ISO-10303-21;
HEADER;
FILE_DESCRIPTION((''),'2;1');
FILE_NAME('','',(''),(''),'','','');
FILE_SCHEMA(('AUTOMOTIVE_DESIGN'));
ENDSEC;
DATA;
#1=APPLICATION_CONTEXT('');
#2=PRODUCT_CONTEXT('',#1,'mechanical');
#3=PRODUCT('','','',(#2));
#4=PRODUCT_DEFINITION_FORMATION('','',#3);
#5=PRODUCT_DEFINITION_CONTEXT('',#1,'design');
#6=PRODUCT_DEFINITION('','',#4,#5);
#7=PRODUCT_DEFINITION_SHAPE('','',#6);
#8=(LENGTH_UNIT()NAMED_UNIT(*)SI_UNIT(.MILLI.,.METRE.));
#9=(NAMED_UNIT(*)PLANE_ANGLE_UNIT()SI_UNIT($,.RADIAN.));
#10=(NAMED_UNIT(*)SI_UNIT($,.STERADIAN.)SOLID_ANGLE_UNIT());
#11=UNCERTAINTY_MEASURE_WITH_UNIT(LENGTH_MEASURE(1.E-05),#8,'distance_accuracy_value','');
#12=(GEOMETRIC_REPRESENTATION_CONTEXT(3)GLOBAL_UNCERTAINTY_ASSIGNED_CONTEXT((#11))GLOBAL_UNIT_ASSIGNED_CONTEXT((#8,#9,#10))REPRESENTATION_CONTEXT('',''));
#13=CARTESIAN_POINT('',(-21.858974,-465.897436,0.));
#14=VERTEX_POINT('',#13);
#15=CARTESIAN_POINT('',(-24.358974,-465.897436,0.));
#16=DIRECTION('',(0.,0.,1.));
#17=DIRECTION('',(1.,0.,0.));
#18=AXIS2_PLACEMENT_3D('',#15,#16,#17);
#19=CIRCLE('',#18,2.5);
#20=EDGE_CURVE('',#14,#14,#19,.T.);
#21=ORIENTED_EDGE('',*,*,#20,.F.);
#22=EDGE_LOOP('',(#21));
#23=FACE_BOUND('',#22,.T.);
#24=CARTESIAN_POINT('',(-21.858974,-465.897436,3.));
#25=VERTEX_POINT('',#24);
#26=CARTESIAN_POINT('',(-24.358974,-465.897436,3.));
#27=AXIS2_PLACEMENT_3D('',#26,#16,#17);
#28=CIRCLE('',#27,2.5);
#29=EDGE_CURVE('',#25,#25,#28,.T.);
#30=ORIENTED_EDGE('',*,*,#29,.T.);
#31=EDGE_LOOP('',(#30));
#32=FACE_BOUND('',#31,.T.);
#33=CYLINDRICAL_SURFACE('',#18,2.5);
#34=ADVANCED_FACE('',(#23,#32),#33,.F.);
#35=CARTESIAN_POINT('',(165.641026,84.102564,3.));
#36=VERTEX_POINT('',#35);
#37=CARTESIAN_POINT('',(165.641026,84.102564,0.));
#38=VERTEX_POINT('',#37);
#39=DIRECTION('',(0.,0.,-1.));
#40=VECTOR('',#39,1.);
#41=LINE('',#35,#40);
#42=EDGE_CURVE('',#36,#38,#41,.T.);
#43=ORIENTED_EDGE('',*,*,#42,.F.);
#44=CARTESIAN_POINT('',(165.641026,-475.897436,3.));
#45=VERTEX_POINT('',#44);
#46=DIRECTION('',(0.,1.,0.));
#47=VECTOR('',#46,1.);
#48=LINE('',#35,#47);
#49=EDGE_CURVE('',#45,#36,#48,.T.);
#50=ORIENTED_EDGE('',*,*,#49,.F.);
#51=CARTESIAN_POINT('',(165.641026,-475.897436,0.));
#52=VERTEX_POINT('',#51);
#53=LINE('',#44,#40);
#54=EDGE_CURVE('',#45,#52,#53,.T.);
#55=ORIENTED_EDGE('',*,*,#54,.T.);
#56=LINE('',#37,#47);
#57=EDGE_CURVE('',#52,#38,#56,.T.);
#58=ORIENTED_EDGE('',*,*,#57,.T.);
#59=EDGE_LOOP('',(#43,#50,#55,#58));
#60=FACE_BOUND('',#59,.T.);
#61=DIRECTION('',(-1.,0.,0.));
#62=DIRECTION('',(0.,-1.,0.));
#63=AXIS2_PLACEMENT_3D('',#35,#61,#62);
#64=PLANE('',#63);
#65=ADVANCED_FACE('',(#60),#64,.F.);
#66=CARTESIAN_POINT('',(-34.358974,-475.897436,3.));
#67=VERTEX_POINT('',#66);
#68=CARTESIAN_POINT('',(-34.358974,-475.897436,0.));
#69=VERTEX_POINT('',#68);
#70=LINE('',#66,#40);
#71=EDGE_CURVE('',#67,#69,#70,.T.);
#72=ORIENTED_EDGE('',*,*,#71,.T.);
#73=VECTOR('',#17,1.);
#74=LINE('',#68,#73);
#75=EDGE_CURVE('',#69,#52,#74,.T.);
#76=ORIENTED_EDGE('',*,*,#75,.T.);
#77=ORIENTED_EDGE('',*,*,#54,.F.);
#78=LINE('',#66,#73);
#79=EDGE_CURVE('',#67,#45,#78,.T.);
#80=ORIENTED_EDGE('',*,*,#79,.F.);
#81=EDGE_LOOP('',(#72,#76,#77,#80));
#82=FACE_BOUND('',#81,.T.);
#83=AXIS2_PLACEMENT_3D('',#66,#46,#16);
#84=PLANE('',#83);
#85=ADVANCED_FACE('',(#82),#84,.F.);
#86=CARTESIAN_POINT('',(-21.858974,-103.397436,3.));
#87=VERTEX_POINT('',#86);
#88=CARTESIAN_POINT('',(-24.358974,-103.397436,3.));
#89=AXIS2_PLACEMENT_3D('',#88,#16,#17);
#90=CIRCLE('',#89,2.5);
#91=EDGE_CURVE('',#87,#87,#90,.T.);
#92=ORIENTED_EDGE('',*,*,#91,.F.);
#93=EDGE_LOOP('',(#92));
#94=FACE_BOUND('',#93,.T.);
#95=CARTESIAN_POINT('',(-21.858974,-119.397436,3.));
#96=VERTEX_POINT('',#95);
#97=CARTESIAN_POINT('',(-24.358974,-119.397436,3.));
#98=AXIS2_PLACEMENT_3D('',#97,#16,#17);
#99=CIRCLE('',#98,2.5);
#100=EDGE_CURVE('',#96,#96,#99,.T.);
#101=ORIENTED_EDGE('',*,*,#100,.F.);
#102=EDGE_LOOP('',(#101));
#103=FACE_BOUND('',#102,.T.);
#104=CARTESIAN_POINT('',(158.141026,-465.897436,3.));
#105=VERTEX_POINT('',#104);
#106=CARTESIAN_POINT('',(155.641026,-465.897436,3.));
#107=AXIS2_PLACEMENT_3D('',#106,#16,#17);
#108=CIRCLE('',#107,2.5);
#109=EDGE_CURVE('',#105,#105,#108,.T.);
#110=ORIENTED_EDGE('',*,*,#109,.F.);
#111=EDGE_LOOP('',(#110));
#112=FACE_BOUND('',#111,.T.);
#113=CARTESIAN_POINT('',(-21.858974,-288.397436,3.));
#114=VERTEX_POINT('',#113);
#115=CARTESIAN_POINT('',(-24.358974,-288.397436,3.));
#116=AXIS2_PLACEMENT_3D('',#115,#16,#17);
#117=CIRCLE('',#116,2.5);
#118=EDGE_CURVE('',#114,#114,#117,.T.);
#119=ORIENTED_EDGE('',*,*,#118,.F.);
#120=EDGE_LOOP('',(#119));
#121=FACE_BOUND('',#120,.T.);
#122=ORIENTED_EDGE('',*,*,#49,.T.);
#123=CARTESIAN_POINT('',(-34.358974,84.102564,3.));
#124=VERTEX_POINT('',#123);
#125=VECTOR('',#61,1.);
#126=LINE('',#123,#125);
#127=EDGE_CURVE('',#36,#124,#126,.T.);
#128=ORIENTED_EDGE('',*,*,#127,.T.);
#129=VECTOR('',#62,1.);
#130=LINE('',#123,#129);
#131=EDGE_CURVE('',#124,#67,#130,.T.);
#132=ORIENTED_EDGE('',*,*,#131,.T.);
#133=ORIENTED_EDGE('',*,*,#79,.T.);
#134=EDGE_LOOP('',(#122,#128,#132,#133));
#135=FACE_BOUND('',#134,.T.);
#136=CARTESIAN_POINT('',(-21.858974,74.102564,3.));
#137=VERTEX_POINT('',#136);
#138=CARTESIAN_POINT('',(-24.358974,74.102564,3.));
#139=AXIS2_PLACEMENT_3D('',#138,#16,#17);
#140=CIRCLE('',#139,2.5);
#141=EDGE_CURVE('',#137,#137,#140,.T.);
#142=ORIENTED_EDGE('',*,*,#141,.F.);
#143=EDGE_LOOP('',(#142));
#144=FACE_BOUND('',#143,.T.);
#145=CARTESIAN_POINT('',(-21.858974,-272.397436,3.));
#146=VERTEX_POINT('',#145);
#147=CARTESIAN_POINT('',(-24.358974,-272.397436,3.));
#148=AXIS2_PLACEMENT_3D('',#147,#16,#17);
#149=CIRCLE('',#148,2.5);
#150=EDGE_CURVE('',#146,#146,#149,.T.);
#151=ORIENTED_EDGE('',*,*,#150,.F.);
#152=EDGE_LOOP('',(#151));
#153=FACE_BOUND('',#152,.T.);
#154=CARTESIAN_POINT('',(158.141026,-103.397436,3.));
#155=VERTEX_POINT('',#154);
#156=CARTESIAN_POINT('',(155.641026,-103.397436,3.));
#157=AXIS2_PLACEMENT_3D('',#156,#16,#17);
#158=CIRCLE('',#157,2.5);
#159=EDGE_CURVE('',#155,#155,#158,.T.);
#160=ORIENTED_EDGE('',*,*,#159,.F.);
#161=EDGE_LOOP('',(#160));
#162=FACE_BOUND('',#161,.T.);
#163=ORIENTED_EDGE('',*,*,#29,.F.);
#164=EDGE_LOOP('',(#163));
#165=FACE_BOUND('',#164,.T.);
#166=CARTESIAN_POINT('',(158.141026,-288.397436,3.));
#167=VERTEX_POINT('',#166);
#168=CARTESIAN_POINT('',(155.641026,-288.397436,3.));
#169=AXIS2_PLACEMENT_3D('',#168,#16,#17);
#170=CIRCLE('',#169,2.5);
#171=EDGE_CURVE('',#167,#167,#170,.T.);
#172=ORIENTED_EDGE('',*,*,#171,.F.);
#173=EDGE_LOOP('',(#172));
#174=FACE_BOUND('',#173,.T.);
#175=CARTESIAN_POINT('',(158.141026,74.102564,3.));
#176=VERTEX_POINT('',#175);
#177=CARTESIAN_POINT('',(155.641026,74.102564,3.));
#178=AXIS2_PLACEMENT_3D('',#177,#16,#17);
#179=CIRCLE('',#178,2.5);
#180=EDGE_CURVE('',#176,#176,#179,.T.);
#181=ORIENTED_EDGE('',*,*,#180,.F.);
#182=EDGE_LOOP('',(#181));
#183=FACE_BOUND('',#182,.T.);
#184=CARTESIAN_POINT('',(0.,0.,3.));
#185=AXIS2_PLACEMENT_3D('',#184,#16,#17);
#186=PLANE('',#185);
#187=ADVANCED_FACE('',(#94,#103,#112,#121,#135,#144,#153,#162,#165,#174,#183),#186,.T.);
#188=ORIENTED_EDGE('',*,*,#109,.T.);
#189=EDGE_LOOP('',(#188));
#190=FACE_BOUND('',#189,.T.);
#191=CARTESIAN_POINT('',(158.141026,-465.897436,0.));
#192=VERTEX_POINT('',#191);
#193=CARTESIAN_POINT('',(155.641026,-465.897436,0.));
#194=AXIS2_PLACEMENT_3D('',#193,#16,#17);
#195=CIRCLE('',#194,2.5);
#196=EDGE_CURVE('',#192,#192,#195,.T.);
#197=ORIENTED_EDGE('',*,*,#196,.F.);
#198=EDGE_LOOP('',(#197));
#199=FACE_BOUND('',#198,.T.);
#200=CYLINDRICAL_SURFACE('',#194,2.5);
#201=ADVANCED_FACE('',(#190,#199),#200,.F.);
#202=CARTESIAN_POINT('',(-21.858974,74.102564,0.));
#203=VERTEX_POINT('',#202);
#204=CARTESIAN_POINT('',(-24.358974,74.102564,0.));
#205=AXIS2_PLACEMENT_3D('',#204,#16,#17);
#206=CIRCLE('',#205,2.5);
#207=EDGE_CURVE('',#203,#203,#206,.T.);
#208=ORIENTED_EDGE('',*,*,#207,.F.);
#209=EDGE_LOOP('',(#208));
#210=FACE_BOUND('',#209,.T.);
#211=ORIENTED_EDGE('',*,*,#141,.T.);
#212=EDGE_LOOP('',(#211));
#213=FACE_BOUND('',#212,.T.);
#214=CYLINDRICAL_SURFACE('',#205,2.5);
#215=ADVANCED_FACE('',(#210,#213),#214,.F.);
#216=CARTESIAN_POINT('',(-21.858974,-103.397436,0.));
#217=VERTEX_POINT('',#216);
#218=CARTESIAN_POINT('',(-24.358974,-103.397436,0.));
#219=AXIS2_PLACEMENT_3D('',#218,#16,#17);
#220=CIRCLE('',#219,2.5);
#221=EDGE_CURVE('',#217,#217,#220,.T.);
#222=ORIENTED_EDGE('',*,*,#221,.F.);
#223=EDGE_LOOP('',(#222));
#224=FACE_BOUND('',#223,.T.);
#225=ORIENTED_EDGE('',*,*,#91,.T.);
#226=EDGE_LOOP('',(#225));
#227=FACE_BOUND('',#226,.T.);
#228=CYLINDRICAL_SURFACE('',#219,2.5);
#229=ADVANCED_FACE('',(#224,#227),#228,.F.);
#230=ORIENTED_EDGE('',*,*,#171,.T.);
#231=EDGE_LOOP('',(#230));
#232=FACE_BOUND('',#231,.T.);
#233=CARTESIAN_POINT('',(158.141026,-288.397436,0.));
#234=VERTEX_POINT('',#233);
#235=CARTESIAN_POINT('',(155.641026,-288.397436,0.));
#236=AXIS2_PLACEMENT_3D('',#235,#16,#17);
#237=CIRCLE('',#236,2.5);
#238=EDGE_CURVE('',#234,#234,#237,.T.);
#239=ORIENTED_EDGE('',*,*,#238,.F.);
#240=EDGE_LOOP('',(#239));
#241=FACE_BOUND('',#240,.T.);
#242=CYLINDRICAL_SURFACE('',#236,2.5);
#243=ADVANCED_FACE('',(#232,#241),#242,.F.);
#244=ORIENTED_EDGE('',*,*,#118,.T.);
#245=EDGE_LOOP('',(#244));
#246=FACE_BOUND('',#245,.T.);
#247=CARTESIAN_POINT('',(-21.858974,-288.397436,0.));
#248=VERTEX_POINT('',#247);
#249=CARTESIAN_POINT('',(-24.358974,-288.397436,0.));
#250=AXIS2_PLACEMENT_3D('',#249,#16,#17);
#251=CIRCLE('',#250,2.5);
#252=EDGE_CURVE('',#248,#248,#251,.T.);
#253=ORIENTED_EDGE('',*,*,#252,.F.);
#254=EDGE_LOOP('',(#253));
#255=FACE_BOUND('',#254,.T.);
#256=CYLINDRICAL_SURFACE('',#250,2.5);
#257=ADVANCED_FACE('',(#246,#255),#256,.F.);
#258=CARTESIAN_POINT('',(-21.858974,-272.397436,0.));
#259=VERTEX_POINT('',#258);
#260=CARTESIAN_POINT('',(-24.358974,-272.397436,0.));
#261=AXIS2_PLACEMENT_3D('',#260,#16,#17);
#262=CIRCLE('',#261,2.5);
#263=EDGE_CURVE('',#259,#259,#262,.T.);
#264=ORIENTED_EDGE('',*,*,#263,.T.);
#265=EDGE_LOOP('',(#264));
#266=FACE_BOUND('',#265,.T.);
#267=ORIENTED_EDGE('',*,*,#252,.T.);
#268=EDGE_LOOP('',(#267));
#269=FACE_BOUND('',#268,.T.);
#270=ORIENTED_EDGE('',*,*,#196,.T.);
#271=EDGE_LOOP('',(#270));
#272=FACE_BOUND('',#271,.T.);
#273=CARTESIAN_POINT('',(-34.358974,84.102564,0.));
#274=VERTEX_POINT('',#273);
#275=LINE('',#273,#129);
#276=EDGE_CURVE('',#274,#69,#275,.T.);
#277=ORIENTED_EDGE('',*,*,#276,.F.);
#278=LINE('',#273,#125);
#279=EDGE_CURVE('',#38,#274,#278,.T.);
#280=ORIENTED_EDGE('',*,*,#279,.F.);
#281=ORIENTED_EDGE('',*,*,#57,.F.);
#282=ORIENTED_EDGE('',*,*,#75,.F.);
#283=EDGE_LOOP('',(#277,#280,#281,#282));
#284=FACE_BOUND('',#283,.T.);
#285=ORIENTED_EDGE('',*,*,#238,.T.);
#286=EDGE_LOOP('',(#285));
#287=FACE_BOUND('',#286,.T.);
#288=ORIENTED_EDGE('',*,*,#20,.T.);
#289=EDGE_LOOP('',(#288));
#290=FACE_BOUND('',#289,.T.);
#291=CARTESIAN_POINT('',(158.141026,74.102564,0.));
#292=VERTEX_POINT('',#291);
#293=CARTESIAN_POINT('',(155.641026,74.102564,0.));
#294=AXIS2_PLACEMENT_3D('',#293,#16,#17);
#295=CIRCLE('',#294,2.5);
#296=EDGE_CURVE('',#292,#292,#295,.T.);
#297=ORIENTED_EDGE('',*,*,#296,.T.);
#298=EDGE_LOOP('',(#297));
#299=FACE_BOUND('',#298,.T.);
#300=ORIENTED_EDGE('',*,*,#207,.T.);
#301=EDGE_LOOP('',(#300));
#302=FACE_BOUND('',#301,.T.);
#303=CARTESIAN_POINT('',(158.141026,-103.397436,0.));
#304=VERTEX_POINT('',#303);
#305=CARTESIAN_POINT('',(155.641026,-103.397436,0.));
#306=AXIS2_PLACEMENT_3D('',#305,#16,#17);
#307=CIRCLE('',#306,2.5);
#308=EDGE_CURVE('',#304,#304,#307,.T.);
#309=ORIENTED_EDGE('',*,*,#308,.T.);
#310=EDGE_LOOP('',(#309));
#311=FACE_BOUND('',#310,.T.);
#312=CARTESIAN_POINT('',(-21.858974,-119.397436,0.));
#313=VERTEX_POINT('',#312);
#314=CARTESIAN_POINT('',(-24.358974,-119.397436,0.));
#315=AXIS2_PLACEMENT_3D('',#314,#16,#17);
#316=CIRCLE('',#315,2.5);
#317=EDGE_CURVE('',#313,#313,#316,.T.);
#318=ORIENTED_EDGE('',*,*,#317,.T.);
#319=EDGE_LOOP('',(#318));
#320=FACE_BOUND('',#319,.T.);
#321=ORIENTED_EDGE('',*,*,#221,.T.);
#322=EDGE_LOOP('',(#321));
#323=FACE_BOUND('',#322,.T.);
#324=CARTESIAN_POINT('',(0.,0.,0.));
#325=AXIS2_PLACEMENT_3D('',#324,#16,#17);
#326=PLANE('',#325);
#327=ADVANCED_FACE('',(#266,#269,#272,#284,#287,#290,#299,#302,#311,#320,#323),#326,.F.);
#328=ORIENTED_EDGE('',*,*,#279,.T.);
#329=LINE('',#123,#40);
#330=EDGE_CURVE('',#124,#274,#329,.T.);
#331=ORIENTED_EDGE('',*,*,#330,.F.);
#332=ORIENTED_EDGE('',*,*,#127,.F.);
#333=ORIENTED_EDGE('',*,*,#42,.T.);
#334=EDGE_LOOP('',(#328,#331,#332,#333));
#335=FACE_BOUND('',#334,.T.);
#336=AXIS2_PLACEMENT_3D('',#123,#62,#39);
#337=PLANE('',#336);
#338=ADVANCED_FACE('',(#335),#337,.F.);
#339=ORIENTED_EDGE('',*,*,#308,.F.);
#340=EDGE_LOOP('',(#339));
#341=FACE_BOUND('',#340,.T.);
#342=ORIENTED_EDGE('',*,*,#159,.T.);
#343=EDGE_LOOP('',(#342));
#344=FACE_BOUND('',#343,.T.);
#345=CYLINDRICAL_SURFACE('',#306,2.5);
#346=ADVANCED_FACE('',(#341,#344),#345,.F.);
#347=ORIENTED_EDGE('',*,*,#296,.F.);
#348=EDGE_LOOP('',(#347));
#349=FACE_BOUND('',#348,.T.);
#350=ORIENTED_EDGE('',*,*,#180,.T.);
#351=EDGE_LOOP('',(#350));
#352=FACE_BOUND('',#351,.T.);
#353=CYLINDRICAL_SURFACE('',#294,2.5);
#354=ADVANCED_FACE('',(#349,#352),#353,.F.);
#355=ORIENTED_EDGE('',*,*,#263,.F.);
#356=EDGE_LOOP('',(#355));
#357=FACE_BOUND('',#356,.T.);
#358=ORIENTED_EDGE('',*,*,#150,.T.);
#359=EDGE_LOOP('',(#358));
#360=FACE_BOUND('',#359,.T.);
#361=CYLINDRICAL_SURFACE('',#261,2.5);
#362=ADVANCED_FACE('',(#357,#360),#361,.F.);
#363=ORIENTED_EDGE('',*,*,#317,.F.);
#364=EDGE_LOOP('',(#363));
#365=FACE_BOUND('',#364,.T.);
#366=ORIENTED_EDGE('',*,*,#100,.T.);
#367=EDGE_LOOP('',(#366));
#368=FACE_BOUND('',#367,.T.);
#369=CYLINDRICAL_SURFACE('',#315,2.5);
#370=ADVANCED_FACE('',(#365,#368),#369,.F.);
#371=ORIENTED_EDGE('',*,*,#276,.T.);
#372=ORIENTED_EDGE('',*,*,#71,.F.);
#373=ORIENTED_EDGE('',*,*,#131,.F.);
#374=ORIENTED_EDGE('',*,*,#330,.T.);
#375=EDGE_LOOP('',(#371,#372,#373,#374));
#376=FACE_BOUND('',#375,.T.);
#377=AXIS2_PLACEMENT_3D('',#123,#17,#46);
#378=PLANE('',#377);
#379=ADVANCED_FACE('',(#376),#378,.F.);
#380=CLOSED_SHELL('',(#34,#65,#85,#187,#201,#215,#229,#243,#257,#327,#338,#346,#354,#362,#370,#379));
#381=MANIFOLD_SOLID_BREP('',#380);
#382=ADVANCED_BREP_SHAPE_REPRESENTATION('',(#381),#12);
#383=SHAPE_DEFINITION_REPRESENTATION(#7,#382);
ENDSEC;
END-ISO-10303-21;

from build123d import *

# Parameters (mm, degrees)
SKETCH1_W           = 200
SKETCH1_H           = 560
BOSS_EXTRUDE1_DEPTH = 3
SKETCH2_R           = 2.5
CUT_EXTRUDE1_DEPTH  = 504.909038289


with BuildPart() as part:
    # Sketch1 → Boss-Extrude1 (new body)
    with BuildSketch(Plane.XY):
        with Locations((65.641025641, -195.897435897)):
            Rectangle(SKETCH1_W, SKETCH1_H)
    extrude(amount=BOSS_EXTRUDE1_DEPTH)

    # Sketch2 → Cut-Extrude1 (cut, through all)
    with BuildSketch(Plane.XY.offset(3)):
        with Locations((-24.358974359, 74.102564103)):
            Circle(SKETCH2_R)
        with Locations((155.641025641, 74.102564103)):
            Circle(SKETCH2_R)
        with Locations((-24.358974359, -465.897435897)):
            Circle(SKETCH2_R)
        with Locations((155.641025641, -465.897435897)):
            Circle(SKETCH2_R)
        with Locations((-24.358974359, -288.397435897)):
            Circle(SKETCH2_R)
        with Locations((-24.358974359, -103.397435897)):
            Circle(SKETCH2_R)
        with Locations((155.641025641, -103.397435897)):
            Circle(SKETCH2_R)
        with Locations((155.641025641, -288.397435897)):
            Circle(SKETCH2_R)
        with Locations((-24.358974359, -119.397435897)):
            Circle(SKETCH2_R)
        with Locations((-24.358974359, -272.397435897)):
            Circle(SKETCH2_R)
    extrude(amount=-CUT_EXTRUDE1_DEPTH, mode=Mode.SUBTRACT)


solid = part.part
